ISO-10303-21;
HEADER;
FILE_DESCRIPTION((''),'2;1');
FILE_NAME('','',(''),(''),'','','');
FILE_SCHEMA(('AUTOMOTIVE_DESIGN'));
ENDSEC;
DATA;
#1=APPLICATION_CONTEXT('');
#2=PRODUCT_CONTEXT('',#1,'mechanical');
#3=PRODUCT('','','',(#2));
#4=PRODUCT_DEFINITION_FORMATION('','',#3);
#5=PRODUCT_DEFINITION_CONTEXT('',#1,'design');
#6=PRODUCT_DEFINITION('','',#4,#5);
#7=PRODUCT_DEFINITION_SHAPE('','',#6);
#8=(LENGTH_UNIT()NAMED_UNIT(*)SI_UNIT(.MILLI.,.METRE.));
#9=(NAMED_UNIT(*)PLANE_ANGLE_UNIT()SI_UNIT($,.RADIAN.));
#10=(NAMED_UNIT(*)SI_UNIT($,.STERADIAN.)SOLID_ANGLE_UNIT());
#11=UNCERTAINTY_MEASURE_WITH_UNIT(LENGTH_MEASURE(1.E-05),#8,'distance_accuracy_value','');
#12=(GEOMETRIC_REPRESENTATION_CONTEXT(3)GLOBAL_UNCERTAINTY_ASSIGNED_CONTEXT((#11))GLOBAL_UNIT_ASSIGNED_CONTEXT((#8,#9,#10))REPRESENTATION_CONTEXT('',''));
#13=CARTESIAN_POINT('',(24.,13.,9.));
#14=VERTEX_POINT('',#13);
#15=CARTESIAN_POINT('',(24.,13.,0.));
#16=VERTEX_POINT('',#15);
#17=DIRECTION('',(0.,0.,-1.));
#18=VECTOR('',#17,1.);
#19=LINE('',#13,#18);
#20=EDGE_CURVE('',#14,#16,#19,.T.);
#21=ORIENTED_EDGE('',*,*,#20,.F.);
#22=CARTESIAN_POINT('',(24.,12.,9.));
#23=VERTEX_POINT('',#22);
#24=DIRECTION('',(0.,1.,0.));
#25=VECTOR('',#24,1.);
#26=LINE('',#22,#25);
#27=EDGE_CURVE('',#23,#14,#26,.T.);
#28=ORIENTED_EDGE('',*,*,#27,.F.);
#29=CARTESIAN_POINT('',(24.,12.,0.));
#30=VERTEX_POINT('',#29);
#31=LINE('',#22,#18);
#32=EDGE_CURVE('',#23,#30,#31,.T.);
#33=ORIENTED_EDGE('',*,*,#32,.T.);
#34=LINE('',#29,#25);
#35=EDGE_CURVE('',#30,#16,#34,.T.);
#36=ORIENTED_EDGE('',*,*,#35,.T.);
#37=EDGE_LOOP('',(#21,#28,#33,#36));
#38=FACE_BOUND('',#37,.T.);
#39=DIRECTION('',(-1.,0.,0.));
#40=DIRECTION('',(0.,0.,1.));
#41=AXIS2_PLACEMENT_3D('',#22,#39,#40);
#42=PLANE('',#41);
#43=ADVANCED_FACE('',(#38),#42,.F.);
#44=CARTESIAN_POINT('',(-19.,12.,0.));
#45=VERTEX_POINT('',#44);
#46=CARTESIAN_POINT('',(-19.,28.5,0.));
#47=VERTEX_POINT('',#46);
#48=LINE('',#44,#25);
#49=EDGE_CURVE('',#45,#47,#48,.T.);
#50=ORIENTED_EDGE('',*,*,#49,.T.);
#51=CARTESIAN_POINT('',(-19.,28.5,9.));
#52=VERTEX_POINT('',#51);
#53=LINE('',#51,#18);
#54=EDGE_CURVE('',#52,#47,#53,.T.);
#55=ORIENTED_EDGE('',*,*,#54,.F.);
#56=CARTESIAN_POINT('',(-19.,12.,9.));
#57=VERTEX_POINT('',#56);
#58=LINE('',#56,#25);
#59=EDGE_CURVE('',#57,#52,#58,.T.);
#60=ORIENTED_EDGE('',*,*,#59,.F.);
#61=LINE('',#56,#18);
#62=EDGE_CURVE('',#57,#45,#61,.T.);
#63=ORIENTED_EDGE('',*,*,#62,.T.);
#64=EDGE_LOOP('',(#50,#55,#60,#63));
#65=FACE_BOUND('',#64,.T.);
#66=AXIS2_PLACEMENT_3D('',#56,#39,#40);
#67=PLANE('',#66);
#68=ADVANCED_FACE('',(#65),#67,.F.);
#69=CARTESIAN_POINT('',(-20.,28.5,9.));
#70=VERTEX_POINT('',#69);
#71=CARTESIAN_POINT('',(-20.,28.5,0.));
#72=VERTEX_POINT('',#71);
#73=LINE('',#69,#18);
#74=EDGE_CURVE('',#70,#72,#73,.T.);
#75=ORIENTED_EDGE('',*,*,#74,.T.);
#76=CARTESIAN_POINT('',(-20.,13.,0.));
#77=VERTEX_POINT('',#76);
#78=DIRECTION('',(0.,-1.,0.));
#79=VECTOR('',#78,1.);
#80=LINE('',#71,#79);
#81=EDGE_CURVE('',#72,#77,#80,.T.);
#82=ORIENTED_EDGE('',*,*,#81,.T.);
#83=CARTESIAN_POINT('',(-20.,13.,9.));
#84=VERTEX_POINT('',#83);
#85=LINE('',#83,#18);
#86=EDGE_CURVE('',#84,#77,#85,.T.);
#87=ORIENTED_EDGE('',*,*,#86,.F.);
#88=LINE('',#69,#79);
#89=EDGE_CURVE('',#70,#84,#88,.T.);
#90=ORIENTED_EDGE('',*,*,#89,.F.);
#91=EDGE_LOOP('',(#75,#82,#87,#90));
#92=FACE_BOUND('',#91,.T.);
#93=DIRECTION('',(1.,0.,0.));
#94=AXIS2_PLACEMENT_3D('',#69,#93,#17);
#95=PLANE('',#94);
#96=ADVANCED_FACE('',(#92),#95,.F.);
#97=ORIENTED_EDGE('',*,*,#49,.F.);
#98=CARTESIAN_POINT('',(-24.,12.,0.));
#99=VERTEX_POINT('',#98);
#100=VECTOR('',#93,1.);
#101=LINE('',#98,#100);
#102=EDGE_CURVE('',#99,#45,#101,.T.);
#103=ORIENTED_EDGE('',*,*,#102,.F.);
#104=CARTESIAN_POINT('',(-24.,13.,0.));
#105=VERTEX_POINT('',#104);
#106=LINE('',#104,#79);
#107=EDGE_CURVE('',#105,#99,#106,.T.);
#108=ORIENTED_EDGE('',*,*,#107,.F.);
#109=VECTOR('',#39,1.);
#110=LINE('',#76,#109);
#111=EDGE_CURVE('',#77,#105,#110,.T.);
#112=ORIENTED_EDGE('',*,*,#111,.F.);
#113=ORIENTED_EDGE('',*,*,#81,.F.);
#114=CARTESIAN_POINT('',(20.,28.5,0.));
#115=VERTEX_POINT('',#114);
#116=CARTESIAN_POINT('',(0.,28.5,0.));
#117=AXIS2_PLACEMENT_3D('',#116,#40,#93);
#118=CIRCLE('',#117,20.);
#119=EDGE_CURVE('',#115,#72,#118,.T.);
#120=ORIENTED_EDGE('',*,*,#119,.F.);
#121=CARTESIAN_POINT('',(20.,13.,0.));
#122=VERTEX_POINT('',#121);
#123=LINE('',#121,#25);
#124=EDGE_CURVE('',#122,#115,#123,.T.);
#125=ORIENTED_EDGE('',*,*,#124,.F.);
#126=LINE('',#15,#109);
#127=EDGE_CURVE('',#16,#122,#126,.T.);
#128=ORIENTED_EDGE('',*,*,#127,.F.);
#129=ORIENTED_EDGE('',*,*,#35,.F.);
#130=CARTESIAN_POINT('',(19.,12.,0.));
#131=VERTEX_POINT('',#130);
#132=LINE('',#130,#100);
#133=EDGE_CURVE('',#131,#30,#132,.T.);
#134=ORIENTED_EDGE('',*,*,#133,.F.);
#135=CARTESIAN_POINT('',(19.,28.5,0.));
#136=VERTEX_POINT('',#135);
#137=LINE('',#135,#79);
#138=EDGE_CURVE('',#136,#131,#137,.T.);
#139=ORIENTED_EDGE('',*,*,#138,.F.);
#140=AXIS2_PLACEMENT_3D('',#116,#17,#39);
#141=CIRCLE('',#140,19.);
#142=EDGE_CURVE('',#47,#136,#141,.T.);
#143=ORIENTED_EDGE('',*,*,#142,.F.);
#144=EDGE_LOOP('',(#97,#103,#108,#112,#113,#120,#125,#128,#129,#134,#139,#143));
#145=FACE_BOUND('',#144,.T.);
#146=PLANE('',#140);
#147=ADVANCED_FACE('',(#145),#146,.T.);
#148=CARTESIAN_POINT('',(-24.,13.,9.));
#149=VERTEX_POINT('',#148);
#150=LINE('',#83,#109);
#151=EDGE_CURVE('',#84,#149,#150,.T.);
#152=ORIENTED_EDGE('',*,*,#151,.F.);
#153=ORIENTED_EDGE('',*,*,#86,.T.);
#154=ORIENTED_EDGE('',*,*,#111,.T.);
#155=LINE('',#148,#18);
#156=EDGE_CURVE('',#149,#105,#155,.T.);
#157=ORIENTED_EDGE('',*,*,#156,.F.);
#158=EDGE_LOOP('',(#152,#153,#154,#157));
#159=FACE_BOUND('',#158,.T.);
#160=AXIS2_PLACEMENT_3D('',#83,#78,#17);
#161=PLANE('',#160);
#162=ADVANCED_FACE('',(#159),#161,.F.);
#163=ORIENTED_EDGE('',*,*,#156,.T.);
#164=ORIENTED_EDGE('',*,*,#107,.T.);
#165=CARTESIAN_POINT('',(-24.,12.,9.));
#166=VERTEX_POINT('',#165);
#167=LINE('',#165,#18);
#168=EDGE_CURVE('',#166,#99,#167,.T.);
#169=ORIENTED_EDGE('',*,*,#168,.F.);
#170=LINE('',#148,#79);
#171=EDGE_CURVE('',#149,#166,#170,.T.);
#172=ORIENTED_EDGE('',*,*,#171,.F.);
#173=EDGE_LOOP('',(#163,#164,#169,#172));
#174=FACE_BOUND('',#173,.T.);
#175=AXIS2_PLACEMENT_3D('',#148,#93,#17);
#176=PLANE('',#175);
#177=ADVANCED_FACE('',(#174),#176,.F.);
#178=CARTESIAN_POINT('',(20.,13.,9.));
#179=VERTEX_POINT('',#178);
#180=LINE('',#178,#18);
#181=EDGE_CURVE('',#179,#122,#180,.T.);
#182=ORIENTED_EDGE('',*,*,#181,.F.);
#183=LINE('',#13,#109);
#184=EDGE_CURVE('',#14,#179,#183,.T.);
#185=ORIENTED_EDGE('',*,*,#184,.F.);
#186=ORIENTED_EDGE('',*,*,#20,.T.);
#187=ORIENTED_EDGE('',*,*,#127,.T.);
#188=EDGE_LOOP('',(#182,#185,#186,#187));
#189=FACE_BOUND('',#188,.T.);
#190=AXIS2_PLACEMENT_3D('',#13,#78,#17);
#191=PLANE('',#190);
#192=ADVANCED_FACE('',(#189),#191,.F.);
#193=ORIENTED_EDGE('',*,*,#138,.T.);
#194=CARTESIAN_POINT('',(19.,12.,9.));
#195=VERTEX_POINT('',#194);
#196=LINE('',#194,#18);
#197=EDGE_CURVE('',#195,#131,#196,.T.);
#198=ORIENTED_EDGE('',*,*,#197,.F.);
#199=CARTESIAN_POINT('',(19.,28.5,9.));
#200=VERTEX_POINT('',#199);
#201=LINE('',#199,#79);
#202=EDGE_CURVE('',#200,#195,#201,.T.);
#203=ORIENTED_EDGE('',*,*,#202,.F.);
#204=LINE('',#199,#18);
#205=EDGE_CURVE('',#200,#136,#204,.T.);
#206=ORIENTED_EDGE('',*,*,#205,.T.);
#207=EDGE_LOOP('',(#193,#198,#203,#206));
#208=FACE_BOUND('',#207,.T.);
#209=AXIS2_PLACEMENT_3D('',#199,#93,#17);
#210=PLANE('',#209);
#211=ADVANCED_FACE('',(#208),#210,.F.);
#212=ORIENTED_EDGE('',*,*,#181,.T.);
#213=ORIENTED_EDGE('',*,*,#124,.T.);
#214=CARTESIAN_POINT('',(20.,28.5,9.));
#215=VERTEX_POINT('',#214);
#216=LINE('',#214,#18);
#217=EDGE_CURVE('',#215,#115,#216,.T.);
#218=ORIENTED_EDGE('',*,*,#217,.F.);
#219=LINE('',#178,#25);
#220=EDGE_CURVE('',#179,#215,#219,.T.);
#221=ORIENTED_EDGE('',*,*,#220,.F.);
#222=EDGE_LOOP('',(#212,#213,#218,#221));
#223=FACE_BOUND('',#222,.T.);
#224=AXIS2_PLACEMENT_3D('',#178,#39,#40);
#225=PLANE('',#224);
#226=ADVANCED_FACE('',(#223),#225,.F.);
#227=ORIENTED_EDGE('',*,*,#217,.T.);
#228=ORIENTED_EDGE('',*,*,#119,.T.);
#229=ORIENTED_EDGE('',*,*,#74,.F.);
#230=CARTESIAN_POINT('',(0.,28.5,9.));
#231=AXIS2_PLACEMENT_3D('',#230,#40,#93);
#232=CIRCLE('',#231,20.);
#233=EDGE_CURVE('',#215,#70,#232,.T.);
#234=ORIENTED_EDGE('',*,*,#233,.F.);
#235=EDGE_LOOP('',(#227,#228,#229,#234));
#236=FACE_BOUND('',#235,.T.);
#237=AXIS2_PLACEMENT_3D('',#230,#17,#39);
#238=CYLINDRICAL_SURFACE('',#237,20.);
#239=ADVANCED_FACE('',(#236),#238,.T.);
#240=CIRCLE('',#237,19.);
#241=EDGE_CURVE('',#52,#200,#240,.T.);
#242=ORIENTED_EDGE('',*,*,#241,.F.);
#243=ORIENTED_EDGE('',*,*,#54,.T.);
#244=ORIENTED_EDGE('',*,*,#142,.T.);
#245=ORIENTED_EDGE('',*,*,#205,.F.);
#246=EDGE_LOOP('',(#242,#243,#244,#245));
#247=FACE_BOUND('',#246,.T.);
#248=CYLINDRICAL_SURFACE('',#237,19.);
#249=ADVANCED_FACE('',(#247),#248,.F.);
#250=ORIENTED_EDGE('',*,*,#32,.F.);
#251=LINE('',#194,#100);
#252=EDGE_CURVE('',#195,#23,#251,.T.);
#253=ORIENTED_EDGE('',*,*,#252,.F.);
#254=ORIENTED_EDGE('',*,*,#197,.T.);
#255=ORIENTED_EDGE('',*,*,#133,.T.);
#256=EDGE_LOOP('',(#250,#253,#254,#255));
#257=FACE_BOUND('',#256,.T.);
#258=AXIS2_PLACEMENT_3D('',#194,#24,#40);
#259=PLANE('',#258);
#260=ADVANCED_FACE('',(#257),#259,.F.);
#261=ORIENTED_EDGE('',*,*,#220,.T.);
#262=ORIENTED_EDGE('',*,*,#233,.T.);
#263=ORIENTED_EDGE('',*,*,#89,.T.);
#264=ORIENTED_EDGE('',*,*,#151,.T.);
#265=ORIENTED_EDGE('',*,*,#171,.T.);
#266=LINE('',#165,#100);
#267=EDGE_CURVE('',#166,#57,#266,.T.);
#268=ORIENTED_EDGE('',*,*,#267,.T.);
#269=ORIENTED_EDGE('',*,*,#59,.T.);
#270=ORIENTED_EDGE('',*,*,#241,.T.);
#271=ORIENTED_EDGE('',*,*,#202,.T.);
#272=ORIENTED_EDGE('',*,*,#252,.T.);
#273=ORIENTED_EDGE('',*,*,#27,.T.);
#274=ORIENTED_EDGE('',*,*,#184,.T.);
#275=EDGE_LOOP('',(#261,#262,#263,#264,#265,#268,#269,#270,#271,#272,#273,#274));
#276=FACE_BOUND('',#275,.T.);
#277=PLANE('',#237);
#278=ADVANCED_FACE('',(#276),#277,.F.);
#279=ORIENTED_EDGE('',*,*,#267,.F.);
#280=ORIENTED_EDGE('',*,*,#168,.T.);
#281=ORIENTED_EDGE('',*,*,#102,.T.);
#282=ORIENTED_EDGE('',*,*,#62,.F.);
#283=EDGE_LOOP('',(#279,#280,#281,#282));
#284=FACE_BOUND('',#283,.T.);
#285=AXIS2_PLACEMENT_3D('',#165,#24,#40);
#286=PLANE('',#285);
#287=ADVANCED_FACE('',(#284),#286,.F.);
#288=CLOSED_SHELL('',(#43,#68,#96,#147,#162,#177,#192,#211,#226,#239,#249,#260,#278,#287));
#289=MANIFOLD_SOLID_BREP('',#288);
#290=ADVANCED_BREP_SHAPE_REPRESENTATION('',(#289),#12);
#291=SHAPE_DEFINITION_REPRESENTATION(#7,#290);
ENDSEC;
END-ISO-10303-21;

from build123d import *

# Parameters (mm, degrees)
BAND_CROSS_SECTION_DEPTH = 9


with BuildPart() as part:
    # Band cross-section profile → Band cross-section (new body)
    with BuildSketch(Plane.XY):
        with BuildLine():
            Line((19, 28.5), (19, 12))
            Line((19, 12), (24, 12))
            Line((24, 12), (24, 13))
            Line((24, 13), (20, 13))
            Line((20, 13), (20, 28.5))
            ThreePointArc((20, 28.5), (0, 48.5), (-20, 28.5))
            Line((-20, 28.5), (-20, 13))
            Line((-20, 13), (-24, 13))
            Line((-24, 13), (-24, 12))
            Line((-24, 12), (-19, 12))
            Line((-19, 12), (-19, 28.5))
            ThreePointArc((-19, 28.5), (0, 47.5), (19, 28.5))
        make_face()
    extrude(amount=BAND_CROSS_SECTION_DEPTH)


solid = part.part
